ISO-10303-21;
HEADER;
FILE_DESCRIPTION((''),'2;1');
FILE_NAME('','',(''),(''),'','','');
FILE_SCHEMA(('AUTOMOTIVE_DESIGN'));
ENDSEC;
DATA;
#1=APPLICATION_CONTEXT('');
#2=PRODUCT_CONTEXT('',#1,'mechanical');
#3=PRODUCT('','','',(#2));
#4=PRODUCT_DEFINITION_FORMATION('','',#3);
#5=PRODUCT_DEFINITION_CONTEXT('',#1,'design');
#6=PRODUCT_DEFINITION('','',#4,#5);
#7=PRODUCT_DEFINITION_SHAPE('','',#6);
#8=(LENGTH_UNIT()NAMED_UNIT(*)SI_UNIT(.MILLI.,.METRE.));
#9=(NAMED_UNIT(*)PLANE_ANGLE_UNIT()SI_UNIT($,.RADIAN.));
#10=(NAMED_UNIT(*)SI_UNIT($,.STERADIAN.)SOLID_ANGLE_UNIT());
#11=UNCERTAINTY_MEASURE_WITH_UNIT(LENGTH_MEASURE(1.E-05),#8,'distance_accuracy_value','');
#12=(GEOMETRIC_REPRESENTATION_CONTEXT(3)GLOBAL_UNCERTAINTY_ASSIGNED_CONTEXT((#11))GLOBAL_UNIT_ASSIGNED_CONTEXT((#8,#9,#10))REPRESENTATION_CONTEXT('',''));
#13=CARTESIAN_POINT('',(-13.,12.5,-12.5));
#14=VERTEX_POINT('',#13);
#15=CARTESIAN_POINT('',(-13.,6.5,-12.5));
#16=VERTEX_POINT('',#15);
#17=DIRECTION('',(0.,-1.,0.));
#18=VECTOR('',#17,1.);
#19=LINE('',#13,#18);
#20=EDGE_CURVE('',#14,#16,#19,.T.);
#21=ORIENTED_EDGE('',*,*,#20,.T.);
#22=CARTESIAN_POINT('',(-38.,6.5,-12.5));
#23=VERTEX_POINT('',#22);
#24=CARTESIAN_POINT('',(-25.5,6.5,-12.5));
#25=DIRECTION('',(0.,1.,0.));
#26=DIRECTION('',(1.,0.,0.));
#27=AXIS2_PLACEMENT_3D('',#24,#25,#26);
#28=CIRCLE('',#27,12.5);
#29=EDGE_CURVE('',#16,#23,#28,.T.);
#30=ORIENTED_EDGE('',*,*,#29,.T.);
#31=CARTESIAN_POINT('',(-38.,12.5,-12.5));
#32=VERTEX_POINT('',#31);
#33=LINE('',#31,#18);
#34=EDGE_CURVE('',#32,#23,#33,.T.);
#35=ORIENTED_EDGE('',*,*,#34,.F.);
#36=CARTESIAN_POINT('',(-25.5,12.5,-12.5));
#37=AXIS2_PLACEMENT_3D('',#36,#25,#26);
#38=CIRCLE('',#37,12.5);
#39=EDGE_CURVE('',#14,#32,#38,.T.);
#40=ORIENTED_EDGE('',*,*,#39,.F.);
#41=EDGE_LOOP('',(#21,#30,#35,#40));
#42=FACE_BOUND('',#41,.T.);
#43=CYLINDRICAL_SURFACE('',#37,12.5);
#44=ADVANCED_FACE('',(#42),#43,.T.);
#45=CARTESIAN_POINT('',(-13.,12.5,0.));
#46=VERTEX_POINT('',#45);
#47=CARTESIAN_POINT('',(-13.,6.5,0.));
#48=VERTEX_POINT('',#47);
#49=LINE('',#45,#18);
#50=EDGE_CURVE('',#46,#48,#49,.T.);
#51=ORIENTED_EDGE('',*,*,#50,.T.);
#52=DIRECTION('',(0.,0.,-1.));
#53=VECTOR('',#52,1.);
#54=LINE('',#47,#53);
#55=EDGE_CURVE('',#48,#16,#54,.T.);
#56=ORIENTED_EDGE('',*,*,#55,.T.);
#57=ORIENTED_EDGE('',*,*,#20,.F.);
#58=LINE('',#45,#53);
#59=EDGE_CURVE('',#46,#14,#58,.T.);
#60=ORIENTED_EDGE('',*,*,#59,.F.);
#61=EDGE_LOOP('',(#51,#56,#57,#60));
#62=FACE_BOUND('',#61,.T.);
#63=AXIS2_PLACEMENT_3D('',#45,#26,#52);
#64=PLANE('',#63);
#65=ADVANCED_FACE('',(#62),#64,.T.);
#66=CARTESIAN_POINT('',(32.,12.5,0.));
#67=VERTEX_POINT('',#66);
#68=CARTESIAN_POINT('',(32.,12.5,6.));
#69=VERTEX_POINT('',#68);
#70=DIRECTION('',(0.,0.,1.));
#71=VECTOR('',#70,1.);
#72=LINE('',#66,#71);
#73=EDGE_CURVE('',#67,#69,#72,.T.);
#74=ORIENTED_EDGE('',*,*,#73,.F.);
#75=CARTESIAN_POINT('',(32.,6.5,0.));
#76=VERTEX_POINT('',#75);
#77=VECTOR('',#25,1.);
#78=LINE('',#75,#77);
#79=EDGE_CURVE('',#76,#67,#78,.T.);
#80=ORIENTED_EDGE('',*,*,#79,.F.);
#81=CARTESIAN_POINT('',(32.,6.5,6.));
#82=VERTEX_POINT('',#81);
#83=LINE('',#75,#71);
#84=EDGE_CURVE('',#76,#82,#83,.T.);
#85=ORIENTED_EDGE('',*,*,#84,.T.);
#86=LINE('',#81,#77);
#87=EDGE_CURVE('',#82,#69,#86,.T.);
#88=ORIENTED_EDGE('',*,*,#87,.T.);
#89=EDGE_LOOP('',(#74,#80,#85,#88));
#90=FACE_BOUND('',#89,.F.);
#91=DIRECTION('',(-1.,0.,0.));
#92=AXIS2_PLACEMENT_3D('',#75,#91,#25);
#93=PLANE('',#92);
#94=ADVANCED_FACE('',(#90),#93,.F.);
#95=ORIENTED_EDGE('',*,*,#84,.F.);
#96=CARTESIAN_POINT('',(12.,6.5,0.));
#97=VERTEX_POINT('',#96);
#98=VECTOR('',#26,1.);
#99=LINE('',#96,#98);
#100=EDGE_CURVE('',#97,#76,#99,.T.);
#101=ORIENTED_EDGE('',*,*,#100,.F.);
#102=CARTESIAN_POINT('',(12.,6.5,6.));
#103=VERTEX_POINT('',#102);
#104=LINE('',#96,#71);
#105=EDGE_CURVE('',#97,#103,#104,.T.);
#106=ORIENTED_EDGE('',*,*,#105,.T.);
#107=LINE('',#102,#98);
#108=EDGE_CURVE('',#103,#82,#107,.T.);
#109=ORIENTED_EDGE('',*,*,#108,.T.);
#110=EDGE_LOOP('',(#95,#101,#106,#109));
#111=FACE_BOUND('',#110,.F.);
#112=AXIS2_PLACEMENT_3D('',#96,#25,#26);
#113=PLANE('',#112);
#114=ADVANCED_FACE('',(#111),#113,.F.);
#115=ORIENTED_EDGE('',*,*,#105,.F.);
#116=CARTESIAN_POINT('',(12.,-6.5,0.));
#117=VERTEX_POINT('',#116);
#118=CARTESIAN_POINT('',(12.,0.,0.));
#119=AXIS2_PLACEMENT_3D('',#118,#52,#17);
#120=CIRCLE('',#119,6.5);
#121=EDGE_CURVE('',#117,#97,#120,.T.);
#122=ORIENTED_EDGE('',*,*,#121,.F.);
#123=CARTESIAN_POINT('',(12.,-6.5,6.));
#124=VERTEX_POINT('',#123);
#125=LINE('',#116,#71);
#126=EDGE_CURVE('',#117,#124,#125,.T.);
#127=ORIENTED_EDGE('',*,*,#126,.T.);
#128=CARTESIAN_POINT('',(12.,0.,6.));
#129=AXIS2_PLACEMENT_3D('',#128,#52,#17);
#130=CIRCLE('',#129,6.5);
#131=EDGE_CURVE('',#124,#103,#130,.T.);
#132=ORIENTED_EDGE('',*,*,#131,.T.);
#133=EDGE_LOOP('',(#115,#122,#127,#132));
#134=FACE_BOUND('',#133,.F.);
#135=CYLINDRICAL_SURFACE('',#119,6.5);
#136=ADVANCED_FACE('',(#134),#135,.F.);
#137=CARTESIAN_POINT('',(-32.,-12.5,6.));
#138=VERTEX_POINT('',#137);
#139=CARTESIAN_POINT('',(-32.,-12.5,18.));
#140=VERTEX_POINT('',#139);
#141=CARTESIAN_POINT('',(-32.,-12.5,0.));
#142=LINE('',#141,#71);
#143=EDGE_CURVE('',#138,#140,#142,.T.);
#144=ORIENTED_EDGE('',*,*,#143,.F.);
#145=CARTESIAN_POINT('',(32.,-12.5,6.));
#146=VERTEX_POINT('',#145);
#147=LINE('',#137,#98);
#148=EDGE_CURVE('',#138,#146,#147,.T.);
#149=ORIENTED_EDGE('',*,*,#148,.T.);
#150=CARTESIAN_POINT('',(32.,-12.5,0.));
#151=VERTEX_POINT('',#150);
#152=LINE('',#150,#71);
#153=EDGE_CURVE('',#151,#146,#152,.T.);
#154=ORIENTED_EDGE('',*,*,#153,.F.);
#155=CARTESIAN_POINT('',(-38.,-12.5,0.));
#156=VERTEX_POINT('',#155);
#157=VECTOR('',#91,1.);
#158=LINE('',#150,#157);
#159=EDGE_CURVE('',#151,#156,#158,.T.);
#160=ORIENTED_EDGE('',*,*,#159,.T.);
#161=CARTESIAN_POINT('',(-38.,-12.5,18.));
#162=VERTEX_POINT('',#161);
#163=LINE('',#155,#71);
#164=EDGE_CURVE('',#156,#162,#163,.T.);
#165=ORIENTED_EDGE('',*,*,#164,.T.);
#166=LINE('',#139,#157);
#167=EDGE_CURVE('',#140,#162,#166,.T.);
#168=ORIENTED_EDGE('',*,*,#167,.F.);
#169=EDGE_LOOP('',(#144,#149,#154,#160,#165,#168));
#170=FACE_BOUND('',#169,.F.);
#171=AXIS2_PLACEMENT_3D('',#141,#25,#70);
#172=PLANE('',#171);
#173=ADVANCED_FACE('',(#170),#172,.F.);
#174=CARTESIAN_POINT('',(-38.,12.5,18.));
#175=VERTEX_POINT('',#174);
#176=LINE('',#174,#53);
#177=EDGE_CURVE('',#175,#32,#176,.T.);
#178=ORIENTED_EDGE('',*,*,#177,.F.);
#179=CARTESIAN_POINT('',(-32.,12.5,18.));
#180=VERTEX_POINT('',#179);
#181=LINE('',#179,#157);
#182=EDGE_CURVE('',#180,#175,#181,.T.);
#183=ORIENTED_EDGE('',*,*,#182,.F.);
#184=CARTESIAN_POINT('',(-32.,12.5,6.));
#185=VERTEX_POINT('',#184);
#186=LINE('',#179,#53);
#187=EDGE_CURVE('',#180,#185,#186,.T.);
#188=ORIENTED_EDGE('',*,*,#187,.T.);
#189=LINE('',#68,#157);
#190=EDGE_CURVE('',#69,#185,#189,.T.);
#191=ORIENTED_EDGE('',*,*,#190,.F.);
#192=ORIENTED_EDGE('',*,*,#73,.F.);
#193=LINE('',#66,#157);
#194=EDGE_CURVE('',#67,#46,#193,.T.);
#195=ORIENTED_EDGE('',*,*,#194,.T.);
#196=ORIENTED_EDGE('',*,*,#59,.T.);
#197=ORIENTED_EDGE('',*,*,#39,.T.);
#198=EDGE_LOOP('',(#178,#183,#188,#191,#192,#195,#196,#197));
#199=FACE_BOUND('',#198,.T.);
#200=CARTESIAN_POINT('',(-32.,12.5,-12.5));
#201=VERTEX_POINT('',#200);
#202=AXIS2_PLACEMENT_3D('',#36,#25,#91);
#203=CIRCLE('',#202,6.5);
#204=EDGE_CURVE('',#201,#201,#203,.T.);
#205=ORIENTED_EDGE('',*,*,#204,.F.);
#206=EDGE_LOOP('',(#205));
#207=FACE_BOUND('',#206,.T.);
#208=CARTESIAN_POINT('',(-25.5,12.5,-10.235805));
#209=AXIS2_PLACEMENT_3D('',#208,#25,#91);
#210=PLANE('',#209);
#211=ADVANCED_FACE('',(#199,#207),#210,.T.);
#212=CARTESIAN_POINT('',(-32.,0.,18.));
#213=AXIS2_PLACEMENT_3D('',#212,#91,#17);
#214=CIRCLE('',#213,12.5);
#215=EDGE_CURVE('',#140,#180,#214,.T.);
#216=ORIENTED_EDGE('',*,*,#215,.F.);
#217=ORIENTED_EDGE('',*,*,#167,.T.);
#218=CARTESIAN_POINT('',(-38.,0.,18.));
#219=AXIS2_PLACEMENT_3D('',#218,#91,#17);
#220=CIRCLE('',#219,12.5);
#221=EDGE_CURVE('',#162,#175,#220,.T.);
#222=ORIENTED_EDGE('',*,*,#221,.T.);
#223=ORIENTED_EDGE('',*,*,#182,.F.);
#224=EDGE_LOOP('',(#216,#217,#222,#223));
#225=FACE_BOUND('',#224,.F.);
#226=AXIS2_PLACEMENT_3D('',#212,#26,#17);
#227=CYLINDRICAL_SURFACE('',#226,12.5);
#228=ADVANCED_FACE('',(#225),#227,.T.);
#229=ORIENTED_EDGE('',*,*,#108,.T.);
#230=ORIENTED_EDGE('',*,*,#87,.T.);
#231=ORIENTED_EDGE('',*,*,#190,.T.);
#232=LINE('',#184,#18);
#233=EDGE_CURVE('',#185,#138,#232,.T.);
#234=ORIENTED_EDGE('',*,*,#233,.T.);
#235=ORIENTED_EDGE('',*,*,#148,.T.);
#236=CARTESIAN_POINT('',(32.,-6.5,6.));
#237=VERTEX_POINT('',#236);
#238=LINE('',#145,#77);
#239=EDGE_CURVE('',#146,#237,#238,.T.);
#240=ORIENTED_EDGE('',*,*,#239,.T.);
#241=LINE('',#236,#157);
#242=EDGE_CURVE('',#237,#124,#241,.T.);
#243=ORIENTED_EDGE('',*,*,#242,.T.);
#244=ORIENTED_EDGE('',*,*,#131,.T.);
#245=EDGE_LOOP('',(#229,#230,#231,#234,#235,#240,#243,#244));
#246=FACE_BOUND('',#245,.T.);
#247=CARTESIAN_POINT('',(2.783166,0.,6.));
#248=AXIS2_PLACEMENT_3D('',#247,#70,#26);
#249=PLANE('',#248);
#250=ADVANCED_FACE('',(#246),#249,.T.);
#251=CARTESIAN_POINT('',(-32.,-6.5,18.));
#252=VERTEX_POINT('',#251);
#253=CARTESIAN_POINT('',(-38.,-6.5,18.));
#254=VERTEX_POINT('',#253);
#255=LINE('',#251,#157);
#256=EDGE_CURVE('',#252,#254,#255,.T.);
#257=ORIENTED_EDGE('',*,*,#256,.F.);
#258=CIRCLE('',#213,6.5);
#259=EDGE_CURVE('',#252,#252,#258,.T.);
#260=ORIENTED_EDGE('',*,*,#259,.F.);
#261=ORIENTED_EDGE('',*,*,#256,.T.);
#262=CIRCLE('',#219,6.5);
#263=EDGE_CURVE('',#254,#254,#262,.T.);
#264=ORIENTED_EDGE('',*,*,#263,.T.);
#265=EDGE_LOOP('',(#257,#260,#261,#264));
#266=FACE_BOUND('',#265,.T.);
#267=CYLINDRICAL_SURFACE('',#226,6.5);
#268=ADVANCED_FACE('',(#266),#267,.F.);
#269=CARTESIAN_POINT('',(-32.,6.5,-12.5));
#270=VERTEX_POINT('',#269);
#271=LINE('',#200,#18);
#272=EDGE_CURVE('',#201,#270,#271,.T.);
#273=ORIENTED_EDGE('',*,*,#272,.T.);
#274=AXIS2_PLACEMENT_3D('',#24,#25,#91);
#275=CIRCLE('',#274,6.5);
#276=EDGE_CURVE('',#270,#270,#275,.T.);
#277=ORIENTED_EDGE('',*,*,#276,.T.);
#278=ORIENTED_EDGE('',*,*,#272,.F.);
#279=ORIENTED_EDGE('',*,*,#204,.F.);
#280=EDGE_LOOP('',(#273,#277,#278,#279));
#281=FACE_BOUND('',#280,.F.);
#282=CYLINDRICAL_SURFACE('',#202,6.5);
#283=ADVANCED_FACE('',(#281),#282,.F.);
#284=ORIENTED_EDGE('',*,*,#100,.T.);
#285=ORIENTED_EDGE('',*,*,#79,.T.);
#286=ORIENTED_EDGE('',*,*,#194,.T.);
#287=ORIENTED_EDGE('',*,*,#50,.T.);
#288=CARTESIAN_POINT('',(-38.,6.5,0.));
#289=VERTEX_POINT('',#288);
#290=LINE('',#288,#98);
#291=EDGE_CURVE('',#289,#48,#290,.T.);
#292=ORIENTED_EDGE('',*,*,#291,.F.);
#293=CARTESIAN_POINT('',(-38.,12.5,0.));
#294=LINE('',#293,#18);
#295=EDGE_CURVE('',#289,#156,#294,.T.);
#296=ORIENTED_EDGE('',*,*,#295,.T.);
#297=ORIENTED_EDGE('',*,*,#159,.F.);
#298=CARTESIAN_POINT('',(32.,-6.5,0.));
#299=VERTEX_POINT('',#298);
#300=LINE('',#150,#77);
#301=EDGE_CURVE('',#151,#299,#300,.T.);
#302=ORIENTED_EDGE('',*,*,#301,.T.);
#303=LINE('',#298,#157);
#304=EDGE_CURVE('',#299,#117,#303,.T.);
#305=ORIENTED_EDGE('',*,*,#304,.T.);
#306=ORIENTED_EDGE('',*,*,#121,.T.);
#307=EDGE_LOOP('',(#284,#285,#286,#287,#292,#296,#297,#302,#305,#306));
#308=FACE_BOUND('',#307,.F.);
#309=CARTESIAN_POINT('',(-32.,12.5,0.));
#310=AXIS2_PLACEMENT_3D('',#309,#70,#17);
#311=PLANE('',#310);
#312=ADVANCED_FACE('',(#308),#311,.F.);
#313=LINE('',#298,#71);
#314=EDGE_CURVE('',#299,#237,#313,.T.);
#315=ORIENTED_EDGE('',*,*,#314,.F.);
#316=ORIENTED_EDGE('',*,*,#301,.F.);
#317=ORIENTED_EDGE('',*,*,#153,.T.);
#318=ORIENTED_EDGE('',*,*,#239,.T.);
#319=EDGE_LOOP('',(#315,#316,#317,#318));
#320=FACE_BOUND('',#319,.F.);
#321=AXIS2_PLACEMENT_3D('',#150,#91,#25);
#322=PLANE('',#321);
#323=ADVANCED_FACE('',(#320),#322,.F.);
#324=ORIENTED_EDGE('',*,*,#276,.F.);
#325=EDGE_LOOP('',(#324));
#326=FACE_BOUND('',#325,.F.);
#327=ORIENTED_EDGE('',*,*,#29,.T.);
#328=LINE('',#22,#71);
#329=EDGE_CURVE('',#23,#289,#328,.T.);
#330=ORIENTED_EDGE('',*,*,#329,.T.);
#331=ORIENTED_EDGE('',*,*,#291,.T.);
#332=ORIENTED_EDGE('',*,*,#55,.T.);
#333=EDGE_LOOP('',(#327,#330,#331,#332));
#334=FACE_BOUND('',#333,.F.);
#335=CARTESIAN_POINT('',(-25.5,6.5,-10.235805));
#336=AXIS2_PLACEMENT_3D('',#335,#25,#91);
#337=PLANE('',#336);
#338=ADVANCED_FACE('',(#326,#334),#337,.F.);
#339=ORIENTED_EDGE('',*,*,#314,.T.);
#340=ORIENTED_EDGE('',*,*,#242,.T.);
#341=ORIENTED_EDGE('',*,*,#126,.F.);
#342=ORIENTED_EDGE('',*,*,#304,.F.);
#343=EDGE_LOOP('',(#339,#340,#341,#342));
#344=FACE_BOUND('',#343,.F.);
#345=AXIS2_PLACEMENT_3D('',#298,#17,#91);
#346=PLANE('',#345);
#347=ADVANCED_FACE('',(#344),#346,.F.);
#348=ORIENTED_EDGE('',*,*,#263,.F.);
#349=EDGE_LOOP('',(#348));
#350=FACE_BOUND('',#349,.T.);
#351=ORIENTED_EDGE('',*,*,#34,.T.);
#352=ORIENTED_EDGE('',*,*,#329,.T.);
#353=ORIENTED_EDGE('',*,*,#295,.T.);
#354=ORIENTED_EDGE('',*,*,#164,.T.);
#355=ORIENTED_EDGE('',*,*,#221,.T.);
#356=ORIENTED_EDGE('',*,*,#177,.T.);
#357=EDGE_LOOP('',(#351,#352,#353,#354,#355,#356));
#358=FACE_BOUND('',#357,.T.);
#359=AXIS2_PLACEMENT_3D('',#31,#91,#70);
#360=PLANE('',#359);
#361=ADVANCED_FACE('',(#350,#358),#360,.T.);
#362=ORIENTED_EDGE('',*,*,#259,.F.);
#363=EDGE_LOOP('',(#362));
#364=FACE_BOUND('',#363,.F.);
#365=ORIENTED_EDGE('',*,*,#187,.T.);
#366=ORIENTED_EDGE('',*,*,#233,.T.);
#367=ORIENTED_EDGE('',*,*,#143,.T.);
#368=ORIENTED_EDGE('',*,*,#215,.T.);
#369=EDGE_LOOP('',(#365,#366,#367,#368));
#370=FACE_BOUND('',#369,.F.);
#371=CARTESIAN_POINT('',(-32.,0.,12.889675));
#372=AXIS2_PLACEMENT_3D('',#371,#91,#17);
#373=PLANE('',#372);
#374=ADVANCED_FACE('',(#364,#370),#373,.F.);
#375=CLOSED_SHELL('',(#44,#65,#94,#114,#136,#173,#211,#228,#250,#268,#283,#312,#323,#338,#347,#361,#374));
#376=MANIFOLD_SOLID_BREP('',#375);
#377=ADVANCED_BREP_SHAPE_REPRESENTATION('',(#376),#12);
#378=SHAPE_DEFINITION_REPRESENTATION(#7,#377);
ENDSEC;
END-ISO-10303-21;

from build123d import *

# Parameters (mm, degrees)
F1_DEPTH = 6
F2_R     = 6.5
F3_DEPTH = 6
F4_R     = 6.5
F5_DEPTH = 6


with BuildPart() as f1:
    # F0 (on Top) → F1 (new body)
    with BuildSketch(Plane.XY):
        with BuildLine():
            Line((-32, -12.5), (32, -12.5))
            Line((32, -12.5), (32, -6.5))
            Line((32, -6.5), (12, -6.5))
            ThreePointArc((12, -6.5), (5.5, 0), (12, 6.5))
            Line((12, 6.5), (32, 6.5))
            Line((32, 6.5), (32, 12.5))
            Line((32, 12.5), (-32, 12.5))
            Line((-32, 12.5), (-32, -12.5))
        make_face()
    extrude(amount=F1_DEPTH)

    # F2 (on face) → F3 (join)
    with BuildSketch(Plane(origin=(-32, 0, 0), x_dir=(0, -1, 0), z_dir=(-1, 0, 0))):
        with BuildLine():
            Line((-12.5, 18), (-12.5, 0))
            Line((-12.5, 0), (12.5, 0))
            Line((12.5, 0), (12.5, 18))
            ThreePointArc((12.5, 18), (0, 30.5), (-12.5, 18))
        make_face()
        with Locations((0, 18)):
            Circle(F2_R, mode=Mode.SUBTRACT)
    extrude(amount=F3_DEPTH)

    # F4 (on face) → F5 (join)
    with BuildSketch(Plane(origin=(0, 12.5, 0), x_dir=(-1, 0, 0), z_dir=(0, 1, 0))):
        with BuildLine():
            Line((38, -12.5), (38, 0))
            Line((38, 0), (13, 0))
            Line((13, 0), (13, -12.5))
            ThreePointArc((13, -12.5), (25.5, -25), (38, -12.5))
        make_face()
        with Locations((25.5, -12.5)):
            Circle(F4_R, mode=Mode.SUBTRACT)
    extrude(amount=-F5_DEPTH)


solid = f1.part
